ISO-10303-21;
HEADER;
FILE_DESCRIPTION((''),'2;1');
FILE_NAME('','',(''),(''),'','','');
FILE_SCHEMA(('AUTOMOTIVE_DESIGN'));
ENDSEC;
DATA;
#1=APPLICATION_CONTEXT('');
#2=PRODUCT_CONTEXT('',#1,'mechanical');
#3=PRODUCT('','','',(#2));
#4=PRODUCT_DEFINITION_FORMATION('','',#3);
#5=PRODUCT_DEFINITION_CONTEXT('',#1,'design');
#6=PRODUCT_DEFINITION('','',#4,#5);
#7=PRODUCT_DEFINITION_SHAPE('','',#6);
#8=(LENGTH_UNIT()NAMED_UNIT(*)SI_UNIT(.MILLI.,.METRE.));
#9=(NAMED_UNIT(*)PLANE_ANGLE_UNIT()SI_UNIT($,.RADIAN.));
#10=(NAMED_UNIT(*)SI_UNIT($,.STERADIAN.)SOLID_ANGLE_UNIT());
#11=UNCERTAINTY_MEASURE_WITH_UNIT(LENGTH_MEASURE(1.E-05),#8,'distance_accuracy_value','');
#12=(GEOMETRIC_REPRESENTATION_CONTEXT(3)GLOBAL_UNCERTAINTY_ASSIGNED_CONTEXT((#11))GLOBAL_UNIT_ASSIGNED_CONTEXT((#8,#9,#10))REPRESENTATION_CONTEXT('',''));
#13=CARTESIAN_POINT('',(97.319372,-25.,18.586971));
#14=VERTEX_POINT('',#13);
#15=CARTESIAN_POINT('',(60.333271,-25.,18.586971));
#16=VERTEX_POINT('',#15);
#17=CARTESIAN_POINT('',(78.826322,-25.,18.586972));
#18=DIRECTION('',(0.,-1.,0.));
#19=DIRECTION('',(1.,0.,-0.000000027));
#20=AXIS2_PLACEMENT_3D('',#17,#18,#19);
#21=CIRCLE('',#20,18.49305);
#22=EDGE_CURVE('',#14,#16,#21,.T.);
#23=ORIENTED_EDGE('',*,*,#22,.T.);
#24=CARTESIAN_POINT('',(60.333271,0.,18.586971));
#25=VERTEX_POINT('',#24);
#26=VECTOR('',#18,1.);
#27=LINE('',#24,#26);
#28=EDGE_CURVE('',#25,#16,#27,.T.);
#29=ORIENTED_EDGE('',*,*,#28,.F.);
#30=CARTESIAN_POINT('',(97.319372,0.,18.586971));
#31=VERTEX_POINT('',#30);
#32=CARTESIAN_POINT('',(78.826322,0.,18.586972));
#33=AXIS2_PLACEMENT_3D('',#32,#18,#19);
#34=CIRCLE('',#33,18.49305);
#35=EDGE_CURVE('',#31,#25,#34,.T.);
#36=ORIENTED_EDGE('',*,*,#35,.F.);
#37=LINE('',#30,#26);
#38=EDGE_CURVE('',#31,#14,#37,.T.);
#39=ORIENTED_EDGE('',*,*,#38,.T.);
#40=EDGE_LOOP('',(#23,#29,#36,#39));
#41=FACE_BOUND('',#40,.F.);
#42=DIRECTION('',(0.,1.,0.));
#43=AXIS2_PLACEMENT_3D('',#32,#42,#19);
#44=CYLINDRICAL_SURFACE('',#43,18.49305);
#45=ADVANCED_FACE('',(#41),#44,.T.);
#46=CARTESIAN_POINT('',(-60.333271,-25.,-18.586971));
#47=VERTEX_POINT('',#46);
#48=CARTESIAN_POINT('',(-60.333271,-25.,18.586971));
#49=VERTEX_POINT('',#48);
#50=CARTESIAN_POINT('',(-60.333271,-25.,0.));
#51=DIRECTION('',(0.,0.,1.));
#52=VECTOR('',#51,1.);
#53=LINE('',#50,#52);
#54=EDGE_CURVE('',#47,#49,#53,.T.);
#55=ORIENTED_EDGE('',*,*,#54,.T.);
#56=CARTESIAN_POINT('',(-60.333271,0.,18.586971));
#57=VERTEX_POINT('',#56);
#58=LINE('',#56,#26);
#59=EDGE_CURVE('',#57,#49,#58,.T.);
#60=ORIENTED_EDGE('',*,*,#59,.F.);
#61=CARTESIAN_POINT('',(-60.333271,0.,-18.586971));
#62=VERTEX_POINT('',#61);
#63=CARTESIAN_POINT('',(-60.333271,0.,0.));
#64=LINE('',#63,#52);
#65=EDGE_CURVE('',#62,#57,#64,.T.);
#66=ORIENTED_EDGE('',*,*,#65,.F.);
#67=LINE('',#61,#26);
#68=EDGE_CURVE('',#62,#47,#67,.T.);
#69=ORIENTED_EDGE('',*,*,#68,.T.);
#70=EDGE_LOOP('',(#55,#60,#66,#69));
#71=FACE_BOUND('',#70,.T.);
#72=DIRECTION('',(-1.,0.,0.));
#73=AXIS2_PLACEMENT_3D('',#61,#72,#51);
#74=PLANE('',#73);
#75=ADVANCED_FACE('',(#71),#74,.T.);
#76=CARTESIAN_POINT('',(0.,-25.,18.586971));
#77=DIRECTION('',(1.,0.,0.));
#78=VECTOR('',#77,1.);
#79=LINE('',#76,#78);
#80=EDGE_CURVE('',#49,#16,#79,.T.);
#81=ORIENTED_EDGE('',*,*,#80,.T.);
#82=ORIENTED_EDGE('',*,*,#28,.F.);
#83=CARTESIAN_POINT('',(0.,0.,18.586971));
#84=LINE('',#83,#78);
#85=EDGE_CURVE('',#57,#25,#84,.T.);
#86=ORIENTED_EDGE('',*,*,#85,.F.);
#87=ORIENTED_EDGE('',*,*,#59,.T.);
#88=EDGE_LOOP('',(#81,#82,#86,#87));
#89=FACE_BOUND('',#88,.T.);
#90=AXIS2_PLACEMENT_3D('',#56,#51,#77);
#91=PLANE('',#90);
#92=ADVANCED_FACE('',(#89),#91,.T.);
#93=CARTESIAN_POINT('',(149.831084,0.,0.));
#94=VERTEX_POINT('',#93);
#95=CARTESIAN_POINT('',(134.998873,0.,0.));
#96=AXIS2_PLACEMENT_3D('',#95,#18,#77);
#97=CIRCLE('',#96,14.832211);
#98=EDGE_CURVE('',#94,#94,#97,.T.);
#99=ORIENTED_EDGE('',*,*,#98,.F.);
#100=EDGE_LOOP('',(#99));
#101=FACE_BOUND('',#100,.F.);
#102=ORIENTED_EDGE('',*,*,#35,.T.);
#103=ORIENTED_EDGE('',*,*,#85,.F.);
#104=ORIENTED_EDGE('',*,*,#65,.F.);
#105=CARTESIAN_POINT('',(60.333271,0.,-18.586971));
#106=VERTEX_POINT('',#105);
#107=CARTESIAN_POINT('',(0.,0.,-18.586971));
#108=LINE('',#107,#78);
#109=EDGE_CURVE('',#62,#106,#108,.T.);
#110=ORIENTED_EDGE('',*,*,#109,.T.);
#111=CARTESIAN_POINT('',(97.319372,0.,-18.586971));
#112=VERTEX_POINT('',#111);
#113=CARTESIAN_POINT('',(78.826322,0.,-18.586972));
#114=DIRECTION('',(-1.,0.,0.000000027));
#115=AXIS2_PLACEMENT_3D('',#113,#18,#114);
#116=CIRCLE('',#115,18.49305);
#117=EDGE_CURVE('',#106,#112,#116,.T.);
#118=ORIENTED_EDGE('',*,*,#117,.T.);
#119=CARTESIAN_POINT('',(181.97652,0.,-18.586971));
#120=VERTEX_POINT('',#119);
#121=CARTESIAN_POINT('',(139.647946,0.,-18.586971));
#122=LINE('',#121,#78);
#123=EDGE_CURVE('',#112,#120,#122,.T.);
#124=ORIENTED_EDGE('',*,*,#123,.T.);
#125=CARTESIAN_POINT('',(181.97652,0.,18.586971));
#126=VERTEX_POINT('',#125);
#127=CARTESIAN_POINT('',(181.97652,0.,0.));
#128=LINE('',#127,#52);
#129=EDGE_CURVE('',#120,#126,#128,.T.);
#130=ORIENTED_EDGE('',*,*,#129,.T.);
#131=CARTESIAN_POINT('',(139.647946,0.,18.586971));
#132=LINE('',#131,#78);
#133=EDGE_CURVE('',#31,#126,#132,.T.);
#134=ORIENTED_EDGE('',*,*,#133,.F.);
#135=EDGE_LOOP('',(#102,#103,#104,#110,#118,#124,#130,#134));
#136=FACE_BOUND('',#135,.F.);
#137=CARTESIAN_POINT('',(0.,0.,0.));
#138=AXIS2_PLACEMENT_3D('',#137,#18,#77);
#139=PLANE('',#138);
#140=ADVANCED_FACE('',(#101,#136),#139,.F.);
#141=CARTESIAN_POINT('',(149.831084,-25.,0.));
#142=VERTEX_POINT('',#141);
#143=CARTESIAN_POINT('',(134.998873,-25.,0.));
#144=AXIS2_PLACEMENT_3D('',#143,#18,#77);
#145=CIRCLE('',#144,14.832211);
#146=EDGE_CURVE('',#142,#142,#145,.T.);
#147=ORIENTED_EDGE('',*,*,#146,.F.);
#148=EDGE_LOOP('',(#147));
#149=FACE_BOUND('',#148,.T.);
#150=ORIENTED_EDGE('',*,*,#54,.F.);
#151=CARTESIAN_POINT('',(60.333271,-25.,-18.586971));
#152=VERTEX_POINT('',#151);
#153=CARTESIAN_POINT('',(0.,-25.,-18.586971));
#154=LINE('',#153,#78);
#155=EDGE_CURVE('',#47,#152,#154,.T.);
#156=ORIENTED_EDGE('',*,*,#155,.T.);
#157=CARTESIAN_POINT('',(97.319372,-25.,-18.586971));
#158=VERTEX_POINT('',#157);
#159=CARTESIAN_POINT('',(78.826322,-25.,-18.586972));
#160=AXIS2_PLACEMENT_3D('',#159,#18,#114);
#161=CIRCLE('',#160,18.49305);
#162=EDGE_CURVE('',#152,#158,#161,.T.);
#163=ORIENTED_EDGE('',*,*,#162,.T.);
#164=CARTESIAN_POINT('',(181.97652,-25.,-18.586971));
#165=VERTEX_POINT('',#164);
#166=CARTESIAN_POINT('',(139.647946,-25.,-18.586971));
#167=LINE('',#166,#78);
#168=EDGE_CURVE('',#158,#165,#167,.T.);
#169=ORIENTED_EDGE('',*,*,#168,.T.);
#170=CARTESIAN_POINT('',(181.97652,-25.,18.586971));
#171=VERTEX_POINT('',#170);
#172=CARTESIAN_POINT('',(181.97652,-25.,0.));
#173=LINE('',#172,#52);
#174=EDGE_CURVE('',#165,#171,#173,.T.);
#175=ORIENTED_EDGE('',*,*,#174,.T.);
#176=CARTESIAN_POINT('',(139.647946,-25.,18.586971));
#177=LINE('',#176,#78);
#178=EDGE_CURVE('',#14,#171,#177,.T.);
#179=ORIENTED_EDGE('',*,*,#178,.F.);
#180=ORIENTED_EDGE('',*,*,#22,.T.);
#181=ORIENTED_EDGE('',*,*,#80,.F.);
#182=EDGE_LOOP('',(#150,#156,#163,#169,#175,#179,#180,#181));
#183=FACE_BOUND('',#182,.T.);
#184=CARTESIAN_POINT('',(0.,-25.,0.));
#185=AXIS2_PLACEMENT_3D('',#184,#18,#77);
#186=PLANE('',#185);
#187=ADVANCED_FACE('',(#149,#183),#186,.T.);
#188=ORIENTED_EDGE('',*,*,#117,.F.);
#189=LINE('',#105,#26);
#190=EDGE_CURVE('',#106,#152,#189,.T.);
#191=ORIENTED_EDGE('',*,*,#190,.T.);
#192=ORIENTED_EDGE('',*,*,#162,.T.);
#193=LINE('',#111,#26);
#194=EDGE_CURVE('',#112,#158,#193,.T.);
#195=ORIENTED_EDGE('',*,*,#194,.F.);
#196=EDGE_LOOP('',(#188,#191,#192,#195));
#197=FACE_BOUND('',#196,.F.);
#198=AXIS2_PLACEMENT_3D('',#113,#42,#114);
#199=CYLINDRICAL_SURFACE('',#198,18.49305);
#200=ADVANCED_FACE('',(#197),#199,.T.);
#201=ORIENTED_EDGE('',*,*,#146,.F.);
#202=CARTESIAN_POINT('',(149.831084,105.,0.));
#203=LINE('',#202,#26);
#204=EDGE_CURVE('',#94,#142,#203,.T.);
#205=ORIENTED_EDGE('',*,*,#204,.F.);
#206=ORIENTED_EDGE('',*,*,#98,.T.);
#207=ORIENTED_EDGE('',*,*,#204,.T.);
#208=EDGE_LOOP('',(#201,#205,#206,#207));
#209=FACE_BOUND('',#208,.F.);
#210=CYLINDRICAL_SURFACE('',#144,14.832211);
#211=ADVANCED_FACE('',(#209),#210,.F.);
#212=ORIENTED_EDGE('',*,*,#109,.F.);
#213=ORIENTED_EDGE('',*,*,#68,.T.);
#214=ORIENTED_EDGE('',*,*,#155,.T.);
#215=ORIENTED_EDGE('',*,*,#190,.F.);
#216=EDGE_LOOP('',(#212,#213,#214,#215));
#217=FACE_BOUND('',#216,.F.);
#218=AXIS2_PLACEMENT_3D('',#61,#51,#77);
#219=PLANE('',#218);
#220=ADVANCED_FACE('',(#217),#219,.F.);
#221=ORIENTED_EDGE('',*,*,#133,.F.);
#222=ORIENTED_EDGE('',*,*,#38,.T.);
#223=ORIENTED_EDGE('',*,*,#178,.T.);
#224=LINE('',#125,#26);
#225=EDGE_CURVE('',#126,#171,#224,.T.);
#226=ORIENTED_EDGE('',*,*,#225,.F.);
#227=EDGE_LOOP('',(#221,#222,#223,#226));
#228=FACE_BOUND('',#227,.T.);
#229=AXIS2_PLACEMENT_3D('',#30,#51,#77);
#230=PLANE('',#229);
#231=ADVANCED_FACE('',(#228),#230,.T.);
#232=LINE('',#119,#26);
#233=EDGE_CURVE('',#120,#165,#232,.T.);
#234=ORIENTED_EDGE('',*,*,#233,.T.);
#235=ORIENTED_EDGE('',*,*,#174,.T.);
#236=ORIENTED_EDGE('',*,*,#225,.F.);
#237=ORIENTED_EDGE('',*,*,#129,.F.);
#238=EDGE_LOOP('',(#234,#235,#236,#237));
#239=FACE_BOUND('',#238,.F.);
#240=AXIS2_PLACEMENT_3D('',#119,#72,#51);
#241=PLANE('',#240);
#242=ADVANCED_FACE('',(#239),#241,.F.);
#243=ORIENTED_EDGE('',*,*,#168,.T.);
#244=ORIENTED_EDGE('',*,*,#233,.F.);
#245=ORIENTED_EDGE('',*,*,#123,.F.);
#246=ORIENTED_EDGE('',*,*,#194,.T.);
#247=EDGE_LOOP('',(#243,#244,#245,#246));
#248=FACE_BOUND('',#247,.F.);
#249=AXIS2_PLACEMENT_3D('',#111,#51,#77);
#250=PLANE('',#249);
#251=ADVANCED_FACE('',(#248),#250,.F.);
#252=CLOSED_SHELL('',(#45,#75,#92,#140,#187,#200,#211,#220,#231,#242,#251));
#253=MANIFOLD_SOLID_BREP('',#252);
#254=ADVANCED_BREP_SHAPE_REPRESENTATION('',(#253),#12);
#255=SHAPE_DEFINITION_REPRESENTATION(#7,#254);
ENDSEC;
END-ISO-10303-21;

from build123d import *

# Parameters (mm, degrees)
F0_W     = 120.666542
F0_H     = 37.173942
F0_W_2   = 84.657148
F1_DEPTH = 25
F2_R     = 14.832211
F3_DEPTH = 130


with BuildPart() as f1:
    # F0 (on Front) → F1 (new body)
    with BuildSketch(Plane.XZ):
        Rectangle(F0_W, F0_H)
        with BuildLine():
            Line((60.333271, 18.586971), (60.333271, -18.586971))
            ThreePointArc((60.333271, -18.586971), (78.826321, -37.080022), (97.319372, -18.586971))
            Line((97.319372, -18.586971), (97.319372, 18.586971))
            ThreePointArc((97.319372, 18.586971), (78.826321, 37.080022), (60.333271, 18.586971))
        make_face()
        with Locations((139.647946, 0)):
            Rectangle(F0_W_2, F0_H)
    extrude(amount=F1_DEPTH)

    # F2 (on face) → F3 (cut, symmetric)
    with BuildSketch(Plane.XZ.offset(25)):
        with Locations((134.998873, 0)):
            Circle(F2_R)
    extrude(amount=F3_DEPTH, both=True, mode=Mode.SUBTRACT)


solid = f1.part
